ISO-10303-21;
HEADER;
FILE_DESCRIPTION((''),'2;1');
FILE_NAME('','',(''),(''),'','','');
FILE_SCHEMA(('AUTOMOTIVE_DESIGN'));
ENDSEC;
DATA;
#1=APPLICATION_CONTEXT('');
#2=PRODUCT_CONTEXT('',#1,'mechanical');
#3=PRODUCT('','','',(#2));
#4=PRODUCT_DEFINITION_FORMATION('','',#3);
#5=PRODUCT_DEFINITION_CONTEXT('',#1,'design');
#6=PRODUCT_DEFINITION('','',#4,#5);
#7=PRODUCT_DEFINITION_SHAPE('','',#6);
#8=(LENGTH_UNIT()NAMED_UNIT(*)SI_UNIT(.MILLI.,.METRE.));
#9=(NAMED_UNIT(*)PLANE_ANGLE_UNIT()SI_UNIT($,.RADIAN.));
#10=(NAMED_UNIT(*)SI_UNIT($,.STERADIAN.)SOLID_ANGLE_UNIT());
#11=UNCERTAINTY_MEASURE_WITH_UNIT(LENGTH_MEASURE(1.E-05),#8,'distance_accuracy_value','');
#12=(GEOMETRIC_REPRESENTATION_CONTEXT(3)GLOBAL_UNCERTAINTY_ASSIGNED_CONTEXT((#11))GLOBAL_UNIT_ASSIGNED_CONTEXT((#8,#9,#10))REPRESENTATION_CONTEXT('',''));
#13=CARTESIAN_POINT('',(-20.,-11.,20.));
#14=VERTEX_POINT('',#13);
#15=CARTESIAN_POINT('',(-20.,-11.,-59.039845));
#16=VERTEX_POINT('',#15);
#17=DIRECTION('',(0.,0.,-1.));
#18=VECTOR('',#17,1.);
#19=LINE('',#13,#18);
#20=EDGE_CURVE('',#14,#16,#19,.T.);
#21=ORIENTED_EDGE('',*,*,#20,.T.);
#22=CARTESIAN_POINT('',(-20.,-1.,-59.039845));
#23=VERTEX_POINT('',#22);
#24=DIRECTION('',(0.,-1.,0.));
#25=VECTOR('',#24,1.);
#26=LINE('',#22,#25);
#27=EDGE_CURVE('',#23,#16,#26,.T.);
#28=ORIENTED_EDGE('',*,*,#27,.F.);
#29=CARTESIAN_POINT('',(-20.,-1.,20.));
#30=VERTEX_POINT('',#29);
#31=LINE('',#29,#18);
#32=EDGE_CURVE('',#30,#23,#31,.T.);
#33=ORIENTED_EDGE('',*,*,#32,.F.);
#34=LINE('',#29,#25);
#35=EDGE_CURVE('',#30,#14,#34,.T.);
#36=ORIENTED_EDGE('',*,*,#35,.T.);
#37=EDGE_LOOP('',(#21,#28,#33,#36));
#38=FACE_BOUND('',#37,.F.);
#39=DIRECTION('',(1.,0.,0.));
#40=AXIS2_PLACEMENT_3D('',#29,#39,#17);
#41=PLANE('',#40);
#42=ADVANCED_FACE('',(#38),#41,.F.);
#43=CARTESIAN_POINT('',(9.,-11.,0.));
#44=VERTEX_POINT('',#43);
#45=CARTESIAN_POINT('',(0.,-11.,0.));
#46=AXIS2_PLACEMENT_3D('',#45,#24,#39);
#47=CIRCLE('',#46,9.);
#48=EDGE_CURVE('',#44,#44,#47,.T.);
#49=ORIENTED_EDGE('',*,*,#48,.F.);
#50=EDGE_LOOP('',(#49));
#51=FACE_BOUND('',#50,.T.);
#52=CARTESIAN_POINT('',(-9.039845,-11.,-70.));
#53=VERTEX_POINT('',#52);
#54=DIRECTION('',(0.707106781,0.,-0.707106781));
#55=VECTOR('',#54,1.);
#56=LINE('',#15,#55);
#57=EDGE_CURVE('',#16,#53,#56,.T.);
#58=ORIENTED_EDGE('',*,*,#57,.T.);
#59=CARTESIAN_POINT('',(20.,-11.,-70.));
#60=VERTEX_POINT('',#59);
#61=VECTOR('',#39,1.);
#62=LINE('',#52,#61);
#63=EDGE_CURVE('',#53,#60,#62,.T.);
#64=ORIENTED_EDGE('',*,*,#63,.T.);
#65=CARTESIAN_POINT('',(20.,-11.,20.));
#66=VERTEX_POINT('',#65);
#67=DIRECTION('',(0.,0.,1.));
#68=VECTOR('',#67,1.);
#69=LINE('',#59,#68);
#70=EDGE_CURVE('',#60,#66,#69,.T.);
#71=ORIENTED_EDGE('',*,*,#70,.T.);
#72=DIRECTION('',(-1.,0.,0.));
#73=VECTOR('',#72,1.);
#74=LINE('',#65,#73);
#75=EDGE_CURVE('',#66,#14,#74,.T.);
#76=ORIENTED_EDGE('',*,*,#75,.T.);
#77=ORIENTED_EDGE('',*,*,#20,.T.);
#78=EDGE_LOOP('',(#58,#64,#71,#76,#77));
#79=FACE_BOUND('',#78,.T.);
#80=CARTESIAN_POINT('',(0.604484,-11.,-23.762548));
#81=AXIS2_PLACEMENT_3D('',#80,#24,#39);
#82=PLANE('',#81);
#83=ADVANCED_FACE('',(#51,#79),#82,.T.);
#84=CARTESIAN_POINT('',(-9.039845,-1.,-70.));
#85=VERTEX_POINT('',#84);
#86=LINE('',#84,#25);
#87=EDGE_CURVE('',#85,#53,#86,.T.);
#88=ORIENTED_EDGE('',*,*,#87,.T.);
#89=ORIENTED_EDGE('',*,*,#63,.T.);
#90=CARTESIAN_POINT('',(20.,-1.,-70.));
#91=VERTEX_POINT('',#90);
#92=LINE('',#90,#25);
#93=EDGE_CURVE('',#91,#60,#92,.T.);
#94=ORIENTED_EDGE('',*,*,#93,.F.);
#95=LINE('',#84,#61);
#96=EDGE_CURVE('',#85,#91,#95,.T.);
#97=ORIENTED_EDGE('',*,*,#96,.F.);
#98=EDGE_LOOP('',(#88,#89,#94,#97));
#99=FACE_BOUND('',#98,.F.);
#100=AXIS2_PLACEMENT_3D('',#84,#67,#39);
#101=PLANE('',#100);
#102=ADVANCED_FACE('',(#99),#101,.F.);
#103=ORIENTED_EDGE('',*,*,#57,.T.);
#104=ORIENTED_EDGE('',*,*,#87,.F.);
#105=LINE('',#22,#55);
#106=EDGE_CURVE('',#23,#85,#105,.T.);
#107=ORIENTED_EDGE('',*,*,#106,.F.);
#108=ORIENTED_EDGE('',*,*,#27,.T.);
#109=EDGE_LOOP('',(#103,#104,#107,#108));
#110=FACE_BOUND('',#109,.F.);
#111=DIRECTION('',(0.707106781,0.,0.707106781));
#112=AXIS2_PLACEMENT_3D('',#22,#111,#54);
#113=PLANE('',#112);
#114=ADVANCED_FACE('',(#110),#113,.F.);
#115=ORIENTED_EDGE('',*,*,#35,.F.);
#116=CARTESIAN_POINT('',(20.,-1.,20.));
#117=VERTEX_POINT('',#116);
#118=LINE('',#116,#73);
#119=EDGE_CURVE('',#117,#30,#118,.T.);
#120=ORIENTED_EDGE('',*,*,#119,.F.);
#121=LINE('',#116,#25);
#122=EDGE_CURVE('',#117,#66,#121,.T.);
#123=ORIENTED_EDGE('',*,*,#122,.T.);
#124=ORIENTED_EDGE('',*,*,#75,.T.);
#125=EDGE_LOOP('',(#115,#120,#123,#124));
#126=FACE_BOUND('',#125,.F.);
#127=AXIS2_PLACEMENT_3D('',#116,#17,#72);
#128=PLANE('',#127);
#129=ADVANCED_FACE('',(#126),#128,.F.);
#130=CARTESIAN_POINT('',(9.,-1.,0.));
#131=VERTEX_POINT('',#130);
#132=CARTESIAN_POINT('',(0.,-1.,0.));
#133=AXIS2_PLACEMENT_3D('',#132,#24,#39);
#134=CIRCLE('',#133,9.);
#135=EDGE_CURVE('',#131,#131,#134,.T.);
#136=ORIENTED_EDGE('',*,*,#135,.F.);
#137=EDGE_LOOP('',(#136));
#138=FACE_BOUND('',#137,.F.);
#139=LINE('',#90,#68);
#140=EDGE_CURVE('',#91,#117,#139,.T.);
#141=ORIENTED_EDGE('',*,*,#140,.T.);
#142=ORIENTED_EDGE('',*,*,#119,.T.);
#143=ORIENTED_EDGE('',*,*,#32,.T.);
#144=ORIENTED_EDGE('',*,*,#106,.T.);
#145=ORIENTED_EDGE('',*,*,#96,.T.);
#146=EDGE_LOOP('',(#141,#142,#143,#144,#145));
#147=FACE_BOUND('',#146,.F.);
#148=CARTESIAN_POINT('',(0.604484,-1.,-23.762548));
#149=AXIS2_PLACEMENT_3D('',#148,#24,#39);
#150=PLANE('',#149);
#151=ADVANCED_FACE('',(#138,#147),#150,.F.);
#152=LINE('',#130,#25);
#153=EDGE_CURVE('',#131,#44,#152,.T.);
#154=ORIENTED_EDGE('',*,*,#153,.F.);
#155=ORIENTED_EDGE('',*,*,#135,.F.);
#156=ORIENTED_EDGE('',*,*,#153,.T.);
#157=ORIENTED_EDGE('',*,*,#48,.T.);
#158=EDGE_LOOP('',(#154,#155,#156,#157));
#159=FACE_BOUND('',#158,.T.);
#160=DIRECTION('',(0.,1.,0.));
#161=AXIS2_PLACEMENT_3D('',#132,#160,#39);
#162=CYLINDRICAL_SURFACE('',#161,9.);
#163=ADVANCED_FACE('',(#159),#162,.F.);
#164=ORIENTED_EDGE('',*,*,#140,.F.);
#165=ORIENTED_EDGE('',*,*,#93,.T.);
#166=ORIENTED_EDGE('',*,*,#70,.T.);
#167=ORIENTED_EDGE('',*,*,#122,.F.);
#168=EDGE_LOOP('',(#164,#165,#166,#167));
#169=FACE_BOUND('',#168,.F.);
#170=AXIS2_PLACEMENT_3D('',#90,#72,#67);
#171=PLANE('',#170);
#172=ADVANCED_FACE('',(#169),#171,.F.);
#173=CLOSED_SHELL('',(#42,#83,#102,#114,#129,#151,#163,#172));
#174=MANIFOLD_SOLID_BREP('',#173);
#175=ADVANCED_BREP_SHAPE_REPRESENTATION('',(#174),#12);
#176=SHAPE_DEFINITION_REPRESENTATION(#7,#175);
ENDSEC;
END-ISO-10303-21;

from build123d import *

# Parameters (mm, degrees)
F1_R     = 9
F2_DEPTH = 10


with BuildPart() as f2:
    # F1 (on offset) → F2 (new body)
    with BuildSketch(Plane.XZ.offset(1)):
        Polygon((20, -70), (20, 20), (-20, 20), (-20, -59.039845), (-9.039845, -70), align=None)
        Circle(F1_R, mode=Mode.SUBTRACT)
    extrude(amount=F2_DEPTH)


solid = f2.part
